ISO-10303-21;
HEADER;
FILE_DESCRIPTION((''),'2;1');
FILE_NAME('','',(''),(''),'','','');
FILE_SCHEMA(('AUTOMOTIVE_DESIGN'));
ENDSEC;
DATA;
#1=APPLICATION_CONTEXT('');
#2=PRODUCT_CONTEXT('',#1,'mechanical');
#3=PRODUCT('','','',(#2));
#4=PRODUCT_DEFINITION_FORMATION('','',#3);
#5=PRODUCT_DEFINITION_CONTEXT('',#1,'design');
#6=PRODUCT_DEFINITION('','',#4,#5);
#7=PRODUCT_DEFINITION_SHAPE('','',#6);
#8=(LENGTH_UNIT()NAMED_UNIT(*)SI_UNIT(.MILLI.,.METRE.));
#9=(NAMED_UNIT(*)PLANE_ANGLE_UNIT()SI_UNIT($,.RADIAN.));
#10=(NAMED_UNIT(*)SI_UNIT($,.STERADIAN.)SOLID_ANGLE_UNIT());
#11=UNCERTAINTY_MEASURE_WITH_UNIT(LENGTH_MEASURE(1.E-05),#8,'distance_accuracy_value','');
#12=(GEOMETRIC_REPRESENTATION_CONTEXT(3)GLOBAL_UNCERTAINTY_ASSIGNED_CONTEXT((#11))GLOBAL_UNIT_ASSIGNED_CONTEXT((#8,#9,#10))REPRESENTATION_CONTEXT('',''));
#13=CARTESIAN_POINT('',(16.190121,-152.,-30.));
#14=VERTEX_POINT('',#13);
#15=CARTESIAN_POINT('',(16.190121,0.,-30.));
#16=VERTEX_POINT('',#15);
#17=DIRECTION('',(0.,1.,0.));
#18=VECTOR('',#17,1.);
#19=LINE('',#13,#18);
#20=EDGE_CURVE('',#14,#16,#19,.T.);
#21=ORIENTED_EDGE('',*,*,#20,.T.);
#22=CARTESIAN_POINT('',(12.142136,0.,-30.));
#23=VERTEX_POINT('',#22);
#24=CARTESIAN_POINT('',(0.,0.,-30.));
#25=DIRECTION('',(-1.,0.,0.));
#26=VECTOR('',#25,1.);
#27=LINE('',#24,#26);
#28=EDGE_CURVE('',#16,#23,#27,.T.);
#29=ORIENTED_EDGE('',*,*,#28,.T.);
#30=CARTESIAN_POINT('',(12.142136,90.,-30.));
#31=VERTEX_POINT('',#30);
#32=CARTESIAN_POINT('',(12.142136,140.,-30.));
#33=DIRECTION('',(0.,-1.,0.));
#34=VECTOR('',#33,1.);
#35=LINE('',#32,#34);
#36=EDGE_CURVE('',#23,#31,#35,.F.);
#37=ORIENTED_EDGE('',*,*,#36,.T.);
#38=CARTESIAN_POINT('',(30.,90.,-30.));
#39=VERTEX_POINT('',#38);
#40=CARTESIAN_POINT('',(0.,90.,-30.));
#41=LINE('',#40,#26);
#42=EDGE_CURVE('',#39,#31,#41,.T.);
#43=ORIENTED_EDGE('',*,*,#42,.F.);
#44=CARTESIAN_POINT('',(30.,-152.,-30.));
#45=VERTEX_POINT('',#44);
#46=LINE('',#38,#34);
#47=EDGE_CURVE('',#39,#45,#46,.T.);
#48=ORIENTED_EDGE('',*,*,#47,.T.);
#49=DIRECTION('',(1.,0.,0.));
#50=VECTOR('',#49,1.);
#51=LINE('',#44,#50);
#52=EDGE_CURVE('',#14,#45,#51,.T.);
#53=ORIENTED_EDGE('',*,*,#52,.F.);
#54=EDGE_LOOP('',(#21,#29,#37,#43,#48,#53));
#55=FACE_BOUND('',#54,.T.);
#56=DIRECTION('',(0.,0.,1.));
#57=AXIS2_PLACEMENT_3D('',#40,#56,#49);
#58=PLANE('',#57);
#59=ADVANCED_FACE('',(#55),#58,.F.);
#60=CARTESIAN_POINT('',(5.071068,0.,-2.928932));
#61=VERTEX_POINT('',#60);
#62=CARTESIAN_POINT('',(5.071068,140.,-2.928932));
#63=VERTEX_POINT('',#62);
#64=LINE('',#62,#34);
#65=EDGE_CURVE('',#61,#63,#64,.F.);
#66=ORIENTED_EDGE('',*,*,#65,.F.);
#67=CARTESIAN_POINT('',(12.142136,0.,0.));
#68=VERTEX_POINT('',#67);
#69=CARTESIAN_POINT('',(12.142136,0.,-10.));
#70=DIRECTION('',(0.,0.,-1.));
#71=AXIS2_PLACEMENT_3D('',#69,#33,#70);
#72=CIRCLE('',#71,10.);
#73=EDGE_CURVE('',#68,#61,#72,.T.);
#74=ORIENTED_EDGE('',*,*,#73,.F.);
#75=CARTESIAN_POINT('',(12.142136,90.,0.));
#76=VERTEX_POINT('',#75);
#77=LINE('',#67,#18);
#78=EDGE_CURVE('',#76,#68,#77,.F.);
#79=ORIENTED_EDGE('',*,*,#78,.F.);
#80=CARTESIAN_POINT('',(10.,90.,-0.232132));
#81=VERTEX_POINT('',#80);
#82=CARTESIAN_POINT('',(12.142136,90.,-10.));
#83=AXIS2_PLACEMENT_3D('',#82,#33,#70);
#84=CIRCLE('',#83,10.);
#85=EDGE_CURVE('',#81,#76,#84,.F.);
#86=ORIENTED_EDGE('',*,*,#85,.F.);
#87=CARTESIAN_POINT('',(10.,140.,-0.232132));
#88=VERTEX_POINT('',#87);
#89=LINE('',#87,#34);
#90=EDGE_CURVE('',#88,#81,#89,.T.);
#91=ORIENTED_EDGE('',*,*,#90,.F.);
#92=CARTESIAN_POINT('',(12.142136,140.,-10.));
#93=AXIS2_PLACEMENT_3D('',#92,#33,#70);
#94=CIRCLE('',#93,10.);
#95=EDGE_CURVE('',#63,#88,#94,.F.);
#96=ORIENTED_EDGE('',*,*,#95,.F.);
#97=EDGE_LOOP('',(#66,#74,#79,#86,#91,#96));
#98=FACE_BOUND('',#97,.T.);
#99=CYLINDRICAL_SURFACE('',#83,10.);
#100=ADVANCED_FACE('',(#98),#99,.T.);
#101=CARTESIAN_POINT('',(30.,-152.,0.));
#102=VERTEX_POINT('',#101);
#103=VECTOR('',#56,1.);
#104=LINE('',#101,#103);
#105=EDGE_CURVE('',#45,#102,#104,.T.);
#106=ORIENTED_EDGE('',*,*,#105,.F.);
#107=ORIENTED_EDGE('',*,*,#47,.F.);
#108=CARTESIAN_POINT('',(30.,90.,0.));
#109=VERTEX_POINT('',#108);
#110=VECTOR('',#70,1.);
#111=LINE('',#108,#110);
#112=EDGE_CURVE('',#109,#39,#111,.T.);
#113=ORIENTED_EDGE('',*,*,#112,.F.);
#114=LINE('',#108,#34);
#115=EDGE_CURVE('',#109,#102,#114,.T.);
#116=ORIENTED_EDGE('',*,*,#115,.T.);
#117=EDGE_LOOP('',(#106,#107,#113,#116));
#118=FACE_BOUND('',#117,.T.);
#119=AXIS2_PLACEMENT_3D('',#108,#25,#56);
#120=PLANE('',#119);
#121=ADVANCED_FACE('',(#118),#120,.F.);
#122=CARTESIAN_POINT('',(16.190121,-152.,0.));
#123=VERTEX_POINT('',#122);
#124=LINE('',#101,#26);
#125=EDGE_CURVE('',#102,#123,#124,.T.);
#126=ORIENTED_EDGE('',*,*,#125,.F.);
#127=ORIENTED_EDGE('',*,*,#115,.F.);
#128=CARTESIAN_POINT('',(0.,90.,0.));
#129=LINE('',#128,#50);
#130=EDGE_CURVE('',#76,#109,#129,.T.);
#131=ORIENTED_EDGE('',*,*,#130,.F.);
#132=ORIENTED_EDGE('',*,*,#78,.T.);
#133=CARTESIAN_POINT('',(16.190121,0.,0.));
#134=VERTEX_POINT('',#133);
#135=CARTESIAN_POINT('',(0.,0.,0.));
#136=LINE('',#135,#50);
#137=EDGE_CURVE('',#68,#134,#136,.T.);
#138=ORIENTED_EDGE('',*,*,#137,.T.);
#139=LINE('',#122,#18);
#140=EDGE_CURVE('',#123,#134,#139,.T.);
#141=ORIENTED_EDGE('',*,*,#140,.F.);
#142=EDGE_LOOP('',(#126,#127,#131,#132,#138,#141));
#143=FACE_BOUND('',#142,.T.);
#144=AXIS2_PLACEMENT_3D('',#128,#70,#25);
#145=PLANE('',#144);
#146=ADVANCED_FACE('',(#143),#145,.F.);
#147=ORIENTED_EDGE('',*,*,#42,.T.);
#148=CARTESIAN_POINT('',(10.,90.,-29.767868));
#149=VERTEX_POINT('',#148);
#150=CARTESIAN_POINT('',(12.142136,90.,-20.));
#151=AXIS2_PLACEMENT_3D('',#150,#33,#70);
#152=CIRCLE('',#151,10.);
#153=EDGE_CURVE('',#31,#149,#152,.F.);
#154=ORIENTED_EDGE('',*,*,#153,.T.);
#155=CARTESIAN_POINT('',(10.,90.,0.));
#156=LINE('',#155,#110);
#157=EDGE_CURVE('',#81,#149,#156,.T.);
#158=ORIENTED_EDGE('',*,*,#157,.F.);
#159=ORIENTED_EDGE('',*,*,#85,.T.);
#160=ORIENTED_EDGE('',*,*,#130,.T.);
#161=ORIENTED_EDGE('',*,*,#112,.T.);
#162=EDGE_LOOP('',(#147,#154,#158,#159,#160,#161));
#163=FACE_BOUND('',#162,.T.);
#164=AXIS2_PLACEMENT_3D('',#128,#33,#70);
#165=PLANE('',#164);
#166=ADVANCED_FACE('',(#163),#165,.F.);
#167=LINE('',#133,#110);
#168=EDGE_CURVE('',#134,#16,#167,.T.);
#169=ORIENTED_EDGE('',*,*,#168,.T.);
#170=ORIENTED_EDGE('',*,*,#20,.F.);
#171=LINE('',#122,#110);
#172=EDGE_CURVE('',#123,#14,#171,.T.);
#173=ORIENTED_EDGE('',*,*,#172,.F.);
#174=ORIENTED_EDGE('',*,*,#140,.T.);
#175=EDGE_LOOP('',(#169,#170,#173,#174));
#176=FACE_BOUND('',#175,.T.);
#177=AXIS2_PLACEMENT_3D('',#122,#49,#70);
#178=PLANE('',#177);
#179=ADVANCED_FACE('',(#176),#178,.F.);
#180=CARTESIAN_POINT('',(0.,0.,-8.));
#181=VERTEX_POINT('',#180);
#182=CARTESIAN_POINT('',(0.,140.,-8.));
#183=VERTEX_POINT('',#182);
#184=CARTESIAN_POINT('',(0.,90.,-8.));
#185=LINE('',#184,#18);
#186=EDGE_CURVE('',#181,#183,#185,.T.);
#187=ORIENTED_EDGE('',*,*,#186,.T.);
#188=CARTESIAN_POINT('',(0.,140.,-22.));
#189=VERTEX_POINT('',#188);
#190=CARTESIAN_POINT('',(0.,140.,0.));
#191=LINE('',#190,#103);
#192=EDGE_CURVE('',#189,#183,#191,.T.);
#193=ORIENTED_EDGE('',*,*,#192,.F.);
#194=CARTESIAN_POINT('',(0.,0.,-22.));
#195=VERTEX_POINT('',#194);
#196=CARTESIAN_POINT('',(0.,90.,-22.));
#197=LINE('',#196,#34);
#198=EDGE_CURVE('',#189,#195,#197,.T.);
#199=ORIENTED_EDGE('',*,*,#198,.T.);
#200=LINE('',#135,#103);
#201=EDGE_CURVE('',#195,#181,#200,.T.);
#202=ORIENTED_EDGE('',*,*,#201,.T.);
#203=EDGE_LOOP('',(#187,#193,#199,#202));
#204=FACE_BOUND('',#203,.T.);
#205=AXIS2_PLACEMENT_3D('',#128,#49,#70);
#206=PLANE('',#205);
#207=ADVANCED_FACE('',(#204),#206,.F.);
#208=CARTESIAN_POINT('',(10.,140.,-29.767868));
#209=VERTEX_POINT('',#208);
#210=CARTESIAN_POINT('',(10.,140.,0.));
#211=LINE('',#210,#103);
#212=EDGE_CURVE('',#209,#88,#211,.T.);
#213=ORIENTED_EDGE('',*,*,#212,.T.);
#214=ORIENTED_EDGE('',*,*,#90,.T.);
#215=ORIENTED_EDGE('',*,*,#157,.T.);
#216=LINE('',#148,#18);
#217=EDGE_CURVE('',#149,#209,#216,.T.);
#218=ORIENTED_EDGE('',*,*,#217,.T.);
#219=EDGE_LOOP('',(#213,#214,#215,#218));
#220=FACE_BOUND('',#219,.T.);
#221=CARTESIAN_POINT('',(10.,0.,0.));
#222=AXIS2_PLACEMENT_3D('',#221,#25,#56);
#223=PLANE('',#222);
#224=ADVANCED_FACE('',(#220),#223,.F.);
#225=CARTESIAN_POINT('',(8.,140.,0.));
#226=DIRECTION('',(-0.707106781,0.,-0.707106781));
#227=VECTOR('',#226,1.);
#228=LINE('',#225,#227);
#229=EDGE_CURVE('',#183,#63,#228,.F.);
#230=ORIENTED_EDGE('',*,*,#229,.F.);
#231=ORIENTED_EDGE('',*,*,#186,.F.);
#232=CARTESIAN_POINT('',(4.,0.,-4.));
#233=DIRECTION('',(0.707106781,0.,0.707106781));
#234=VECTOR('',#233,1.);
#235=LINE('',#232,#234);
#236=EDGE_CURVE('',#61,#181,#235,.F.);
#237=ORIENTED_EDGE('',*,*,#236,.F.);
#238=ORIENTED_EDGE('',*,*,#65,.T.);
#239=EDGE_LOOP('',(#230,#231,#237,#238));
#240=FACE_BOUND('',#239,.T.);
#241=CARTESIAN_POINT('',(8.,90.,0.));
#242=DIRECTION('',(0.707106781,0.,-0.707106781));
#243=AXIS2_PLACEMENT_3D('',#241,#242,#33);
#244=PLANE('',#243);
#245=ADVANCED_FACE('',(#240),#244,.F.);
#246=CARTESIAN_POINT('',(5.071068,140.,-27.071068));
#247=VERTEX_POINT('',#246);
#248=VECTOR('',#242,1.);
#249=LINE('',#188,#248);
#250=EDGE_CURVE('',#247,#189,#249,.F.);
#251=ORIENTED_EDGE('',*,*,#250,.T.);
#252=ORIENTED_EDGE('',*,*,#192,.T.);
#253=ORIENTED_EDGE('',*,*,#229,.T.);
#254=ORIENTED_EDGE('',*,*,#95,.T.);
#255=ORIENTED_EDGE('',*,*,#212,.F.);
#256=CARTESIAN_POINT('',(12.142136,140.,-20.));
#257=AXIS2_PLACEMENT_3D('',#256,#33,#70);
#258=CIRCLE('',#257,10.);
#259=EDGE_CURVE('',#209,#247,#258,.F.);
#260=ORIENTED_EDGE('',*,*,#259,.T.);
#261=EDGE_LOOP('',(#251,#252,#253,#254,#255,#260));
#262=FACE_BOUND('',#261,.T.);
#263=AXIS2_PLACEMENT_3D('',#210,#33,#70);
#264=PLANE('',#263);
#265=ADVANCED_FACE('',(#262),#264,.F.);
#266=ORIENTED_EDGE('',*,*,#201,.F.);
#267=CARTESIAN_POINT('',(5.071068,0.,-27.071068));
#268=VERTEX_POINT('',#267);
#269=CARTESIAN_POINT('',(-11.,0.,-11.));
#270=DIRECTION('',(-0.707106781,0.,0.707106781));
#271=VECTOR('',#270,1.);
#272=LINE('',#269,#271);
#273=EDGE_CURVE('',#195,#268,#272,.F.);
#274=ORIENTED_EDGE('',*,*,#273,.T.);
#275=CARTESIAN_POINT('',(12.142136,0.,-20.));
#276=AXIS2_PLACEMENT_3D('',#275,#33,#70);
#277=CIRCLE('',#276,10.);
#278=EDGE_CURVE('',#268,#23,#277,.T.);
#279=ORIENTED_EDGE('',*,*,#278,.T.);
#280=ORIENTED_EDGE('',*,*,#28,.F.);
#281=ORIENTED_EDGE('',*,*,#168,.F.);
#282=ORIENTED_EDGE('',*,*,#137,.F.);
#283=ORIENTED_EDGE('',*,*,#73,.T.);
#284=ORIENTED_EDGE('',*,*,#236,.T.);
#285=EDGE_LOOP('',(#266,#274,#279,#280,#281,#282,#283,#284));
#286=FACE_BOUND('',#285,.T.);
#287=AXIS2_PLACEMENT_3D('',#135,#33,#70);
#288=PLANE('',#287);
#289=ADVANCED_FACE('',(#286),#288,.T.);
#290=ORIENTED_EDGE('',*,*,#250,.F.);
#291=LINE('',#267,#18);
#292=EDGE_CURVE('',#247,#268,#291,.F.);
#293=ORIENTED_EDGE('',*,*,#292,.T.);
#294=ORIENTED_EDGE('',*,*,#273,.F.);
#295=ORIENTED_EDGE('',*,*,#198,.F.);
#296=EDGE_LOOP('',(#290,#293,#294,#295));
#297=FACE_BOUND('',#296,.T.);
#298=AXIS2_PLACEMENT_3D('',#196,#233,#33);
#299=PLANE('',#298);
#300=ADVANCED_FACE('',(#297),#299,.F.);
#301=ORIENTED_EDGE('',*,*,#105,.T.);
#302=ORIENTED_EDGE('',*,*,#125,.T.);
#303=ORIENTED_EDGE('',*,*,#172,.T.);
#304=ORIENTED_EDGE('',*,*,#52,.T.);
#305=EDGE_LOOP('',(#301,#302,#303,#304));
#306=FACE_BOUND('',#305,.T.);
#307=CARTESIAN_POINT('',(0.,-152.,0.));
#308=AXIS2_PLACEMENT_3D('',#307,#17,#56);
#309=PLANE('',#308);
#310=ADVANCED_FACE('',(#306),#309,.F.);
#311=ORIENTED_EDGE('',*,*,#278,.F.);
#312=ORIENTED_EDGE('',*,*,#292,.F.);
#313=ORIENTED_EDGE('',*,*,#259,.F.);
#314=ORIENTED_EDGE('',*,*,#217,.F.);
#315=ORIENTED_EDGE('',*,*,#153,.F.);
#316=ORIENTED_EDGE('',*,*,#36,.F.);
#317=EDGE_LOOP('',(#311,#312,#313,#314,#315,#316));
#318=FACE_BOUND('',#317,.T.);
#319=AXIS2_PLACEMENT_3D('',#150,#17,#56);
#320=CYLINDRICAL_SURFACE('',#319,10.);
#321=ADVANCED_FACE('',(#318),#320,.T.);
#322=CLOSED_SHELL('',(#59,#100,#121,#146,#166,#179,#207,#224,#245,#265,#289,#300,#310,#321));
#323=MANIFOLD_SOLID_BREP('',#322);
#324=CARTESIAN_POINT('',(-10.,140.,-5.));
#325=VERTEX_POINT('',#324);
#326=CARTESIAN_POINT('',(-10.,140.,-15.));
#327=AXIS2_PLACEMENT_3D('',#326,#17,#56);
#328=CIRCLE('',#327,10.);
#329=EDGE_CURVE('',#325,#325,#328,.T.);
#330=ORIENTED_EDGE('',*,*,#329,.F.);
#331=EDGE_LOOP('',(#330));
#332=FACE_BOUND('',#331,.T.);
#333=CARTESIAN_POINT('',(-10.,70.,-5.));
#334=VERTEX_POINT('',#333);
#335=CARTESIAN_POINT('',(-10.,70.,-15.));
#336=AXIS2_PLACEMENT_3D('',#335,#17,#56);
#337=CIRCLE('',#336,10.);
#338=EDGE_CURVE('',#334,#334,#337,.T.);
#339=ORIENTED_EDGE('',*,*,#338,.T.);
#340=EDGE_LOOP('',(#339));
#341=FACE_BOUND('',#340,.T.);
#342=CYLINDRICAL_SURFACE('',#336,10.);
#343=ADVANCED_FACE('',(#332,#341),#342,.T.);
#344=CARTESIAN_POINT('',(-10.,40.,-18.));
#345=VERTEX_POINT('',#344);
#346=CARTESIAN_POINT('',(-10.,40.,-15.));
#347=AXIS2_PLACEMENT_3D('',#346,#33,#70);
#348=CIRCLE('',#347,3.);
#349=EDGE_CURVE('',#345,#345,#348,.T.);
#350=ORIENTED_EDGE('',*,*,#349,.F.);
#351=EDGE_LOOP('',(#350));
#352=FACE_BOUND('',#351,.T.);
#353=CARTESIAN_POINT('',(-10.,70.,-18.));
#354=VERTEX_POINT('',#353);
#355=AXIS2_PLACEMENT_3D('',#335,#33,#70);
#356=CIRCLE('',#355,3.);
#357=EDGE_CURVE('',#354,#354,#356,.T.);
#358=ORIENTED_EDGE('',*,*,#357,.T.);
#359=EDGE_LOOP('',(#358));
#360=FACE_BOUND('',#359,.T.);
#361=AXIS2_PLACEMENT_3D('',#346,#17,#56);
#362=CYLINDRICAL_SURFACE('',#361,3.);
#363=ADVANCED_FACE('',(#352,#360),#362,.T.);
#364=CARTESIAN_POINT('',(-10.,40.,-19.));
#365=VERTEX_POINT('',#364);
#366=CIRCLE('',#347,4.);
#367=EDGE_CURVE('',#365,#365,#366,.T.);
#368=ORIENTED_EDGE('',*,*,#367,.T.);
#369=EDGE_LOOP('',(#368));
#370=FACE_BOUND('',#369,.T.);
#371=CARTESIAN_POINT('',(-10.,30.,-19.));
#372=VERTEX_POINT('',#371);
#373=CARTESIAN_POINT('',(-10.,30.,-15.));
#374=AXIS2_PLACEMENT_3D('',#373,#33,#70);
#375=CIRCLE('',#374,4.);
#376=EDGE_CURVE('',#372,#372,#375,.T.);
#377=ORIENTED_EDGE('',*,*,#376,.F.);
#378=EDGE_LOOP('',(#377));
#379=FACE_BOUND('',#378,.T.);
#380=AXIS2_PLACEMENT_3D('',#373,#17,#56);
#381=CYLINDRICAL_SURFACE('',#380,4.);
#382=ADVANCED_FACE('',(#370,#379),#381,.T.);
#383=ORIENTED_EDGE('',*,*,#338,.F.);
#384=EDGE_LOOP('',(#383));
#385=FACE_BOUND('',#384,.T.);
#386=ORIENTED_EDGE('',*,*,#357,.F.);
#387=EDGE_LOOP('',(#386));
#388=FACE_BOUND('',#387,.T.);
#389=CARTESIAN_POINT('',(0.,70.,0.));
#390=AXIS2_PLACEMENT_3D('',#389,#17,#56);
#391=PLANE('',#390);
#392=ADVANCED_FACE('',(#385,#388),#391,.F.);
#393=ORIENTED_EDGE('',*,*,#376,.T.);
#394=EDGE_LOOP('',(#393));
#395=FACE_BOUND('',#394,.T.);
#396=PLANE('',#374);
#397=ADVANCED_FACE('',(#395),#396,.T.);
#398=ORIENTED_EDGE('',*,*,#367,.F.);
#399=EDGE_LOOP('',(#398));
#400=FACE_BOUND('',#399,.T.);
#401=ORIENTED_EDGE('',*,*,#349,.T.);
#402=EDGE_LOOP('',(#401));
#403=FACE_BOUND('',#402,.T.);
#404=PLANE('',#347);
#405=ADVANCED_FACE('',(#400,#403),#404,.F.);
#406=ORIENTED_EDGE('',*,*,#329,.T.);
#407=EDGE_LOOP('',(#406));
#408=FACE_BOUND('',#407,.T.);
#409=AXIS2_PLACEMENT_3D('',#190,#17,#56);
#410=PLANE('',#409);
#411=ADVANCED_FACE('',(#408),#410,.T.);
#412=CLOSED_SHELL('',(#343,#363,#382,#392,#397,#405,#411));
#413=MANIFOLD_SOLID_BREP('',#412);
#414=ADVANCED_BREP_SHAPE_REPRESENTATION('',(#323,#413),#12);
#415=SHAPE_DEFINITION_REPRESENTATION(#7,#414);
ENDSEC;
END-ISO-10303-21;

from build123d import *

# Parameters (mm, degrees)
SKETCH1_W           = 30
SKETCH1_H           = 30
BOSS_EXTRUDE1_DEPTH = 90
SKETCH2_W           = 30
SKETCH2_H           = 50
BOSS_EXTRUDE2_DEPTH = 10
SKETCH3_R           = 10
BOSS_EXTRUDE3_DEPTH = 70
SKETCH4_R           = 3
BOSS_EXTRUDE4_DEPTH = 30
SKETCH5_R           = 4
BOSS_EXTRUDE5_DEPTH = 10
CHAMFER1_SIZE       = 8
FILLET1_R           = 10
SKETCH6_W           = 13.80987909
SKETCH6_H           = 30
BOSS_EXTRUDE6_DEPTH = 152


with BuildPart() as part:
    # Sketch1 → Boss-Extrude1 (new body)
    with BuildSketch(Plane(origin=(0, 0, 0), x_dir=(1, 0, 0), z_dir=(0, 1, 0))):
        with Locations((15, 15)):
            Rectangle(SKETCH1_W, SKETCH1_H)
    extrude(amount=BOSS_EXTRUDE1_DEPTH)

    # Sketch2 → Boss-Extrude2 (add)
    with BuildSketch(Plane(origin=(0, 0, 0), x_dir=(0, 0, -1), z_dir=(1, 0, 0))):
        with Locations((15, 115)):
            Rectangle(SKETCH2_W, SKETCH2_H)
    extrude(amount=BOSS_EXTRUDE2_DEPTH)

    # Chamfer1
    chamfer1_edges = [part.edges().sort_by_distance(p)[0] for p in [
        (0, 70, -30),
        (0, 70, 0),
    ]]
    chamfer(chamfer1_edges, length=CHAMFER1_SIZE)

    # Fillet1
    fillet1_edges = [part.edges().sort_by_distance(p)[0] for p in [
        (8, 70, -30),
        (8, 70, 0),
    ]]
    fillet(fillet1_edges, radius=FILLET1_R)

    # Sketch6 → Boss-Extrude6 (add)
    with BuildSketch(Plane.XZ):
        with Locations((23.095060455, -15)):
            Rectangle(SKETCH6_W, SKETCH6_H)
    extrude(amount=BOSS_EXTRUDE6_DEPTH)


with BuildPart() as body_2:
    # Sketch3 → Boss-Extrude3 (new body)
    with BuildSketch(Plane(origin=(0, 140, 0), x_dir=(1, 0, 0), z_dir=(0, 1, 0))):
        with Locations(Location((-10, 15, 0), (0, 0, 270))):
            Circle(SKETCH3_R)
    extrude(amount=-BOSS_EXTRUDE3_DEPTH)

    # Sketch4 → Boss-Extrude4 (add)
    with BuildSketch(Plane.XZ.offset(-70)):
        with Locations(Location((-10, -15, 0), (0, 0, 270))):
            Circle(SKETCH4_R)
    extrude(amount=BOSS_EXTRUDE4_DEPTH)

    # Sketch5 → Boss-Extrude5 (add)
    with BuildSketch(Plane.XZ.offset(-40)):
        with Locations(Location((-10, -15, 0), (0, 0, 270))):
            Circle(SKETCH5_R)
    extrude(amount=BOSS_EXTRUDE5_DEPTH)


solid = Compound([part.part, body_2.part])
